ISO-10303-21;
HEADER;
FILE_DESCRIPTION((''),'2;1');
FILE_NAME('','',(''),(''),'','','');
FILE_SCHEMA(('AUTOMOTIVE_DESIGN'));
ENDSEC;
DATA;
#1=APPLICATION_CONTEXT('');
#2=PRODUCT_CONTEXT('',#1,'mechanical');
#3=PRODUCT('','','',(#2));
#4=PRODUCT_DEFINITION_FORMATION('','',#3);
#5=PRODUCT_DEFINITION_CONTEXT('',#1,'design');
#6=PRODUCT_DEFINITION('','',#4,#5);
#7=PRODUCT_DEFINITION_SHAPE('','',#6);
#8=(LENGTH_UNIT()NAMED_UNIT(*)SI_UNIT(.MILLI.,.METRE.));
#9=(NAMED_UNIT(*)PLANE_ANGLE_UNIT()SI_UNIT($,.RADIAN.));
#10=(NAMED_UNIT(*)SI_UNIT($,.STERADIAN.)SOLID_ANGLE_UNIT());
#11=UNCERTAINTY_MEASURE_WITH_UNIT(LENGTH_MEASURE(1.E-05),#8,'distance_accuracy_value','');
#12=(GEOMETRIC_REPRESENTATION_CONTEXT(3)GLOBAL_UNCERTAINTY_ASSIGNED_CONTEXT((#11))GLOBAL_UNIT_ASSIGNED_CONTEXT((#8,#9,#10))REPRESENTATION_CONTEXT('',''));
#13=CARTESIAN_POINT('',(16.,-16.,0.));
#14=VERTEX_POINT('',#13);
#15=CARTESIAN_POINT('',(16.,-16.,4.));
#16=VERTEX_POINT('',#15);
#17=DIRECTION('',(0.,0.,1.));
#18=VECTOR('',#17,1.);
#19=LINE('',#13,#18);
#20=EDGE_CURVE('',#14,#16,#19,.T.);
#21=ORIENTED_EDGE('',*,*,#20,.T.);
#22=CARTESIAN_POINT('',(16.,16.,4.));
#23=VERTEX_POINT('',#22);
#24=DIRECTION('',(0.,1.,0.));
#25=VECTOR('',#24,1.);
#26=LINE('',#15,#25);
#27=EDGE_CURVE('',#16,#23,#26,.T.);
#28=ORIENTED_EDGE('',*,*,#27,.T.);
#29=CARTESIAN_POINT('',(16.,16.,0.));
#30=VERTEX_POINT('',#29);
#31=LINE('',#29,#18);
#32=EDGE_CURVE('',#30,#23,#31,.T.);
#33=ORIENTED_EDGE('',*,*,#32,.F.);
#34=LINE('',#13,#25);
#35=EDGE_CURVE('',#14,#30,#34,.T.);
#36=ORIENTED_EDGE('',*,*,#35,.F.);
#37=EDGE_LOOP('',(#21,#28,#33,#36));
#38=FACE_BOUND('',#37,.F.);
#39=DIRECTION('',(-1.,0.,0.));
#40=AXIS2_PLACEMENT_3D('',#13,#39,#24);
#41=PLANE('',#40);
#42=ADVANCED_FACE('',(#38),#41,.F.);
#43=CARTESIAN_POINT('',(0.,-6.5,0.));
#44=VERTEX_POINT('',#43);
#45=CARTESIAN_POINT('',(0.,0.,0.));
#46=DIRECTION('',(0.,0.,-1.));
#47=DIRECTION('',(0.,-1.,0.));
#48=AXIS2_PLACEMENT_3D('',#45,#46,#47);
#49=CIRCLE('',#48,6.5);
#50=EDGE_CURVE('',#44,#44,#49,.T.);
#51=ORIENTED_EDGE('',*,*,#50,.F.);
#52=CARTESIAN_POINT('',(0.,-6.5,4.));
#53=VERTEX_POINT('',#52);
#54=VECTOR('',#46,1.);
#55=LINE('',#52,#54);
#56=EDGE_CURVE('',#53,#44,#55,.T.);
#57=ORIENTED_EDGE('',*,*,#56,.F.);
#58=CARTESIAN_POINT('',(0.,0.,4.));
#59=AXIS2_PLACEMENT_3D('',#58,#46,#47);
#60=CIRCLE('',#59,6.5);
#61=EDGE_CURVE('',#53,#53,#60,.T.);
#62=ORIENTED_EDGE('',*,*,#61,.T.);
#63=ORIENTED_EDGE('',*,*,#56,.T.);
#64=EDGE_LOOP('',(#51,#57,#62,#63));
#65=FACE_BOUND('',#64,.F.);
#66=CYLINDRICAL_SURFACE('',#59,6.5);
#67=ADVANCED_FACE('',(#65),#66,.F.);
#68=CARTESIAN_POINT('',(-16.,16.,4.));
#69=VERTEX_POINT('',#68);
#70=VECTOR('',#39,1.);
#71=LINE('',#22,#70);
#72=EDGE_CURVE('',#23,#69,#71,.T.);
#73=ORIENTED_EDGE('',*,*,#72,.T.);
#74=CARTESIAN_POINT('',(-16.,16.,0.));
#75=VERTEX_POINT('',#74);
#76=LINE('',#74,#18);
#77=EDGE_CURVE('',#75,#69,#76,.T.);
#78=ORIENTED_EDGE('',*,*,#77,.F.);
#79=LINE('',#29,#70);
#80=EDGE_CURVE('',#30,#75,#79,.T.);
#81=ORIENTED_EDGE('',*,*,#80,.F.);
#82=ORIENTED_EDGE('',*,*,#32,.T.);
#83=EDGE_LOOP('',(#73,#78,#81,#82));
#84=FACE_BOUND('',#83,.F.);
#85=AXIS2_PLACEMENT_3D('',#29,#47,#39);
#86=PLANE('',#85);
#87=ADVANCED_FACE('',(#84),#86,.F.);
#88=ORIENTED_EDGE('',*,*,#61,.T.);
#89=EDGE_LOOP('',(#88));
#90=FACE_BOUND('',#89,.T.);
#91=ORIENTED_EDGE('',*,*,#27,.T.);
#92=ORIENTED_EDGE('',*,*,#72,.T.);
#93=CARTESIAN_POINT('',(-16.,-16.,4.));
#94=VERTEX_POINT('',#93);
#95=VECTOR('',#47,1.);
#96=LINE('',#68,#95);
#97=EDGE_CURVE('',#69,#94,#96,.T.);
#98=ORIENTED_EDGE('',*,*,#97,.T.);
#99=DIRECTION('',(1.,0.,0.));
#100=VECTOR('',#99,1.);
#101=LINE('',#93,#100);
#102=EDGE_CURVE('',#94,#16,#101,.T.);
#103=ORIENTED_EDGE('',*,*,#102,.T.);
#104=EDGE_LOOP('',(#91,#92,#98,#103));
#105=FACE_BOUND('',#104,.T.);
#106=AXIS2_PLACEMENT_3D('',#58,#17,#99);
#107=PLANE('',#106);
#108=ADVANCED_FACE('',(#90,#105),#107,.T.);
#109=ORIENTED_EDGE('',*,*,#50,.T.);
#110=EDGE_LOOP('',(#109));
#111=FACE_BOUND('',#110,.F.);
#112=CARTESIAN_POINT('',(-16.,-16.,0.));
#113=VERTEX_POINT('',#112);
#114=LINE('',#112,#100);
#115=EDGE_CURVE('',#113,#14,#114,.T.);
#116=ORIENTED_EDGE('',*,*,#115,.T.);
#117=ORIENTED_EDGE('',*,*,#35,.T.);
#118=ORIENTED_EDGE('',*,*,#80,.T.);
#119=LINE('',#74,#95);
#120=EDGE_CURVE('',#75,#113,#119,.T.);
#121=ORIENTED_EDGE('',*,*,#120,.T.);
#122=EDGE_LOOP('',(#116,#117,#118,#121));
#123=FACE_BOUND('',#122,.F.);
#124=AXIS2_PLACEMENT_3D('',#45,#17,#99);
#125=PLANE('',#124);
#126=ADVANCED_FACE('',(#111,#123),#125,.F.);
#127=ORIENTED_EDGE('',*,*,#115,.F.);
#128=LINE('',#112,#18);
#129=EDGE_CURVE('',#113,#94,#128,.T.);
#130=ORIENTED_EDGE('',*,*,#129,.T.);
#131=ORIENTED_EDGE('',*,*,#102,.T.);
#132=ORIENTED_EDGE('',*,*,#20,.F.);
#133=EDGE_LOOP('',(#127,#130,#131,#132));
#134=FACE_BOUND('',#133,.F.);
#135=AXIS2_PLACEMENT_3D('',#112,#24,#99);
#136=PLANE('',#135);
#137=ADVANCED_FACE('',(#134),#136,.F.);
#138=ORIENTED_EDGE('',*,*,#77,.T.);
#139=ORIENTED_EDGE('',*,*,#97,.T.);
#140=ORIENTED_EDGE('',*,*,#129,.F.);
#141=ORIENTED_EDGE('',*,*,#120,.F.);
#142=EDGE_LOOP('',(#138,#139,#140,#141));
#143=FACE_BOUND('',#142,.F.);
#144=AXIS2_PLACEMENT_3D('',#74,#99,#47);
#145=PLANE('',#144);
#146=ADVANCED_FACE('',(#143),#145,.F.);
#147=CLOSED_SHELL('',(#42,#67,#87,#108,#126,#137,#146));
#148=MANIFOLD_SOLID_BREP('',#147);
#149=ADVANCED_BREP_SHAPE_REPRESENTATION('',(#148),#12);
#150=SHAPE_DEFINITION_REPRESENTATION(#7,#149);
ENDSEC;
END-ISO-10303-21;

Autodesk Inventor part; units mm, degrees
ref_plane "YZ Plane" through (0, 0, 0) normal (1, 0, 0) x (0, 1, 0)
ref_plane "XZ Plane" through (0, 0, 0) normal (0, 1, 0) x (-1, 0, 0)
ref_plane "XY Plane" through (0, 0, 0) normal (0, 0, 1) x (1, 0, 0)
sketch "スケッチ1" plane through (0, 0, 0) normal (0, 0, 1) x (1, 0, 0)
  line L0 (-16, -16) -> (16, -16)
  line L1 (16, -16) -> (16, 16)
  line L2 (16, 16) -> (-16, 16)
  line L3 (-16, 16) -> (-16, -16)
  line L4 (-16, -16) -> (16, 16) construction
  line L5 (16, -16) -> (-16, 16) construction
  point P0 (0, 0)
  dimension "d0" = 32
  dimension "d1" = 32
extrude "押し出し1" add sketch "スケッチ1" along normal blind 4
sketch "スケッチ2" plane through (0, 0, 4) normal (0, 0, 1) x (1, 0, 0)
  point P0 (0, 0)
  point P1 (0, 0)
hole "穴1" at (0, 0, 4) direction (0, 0, -1) diameter 13 end through all
properties part number "ナット蓋"
